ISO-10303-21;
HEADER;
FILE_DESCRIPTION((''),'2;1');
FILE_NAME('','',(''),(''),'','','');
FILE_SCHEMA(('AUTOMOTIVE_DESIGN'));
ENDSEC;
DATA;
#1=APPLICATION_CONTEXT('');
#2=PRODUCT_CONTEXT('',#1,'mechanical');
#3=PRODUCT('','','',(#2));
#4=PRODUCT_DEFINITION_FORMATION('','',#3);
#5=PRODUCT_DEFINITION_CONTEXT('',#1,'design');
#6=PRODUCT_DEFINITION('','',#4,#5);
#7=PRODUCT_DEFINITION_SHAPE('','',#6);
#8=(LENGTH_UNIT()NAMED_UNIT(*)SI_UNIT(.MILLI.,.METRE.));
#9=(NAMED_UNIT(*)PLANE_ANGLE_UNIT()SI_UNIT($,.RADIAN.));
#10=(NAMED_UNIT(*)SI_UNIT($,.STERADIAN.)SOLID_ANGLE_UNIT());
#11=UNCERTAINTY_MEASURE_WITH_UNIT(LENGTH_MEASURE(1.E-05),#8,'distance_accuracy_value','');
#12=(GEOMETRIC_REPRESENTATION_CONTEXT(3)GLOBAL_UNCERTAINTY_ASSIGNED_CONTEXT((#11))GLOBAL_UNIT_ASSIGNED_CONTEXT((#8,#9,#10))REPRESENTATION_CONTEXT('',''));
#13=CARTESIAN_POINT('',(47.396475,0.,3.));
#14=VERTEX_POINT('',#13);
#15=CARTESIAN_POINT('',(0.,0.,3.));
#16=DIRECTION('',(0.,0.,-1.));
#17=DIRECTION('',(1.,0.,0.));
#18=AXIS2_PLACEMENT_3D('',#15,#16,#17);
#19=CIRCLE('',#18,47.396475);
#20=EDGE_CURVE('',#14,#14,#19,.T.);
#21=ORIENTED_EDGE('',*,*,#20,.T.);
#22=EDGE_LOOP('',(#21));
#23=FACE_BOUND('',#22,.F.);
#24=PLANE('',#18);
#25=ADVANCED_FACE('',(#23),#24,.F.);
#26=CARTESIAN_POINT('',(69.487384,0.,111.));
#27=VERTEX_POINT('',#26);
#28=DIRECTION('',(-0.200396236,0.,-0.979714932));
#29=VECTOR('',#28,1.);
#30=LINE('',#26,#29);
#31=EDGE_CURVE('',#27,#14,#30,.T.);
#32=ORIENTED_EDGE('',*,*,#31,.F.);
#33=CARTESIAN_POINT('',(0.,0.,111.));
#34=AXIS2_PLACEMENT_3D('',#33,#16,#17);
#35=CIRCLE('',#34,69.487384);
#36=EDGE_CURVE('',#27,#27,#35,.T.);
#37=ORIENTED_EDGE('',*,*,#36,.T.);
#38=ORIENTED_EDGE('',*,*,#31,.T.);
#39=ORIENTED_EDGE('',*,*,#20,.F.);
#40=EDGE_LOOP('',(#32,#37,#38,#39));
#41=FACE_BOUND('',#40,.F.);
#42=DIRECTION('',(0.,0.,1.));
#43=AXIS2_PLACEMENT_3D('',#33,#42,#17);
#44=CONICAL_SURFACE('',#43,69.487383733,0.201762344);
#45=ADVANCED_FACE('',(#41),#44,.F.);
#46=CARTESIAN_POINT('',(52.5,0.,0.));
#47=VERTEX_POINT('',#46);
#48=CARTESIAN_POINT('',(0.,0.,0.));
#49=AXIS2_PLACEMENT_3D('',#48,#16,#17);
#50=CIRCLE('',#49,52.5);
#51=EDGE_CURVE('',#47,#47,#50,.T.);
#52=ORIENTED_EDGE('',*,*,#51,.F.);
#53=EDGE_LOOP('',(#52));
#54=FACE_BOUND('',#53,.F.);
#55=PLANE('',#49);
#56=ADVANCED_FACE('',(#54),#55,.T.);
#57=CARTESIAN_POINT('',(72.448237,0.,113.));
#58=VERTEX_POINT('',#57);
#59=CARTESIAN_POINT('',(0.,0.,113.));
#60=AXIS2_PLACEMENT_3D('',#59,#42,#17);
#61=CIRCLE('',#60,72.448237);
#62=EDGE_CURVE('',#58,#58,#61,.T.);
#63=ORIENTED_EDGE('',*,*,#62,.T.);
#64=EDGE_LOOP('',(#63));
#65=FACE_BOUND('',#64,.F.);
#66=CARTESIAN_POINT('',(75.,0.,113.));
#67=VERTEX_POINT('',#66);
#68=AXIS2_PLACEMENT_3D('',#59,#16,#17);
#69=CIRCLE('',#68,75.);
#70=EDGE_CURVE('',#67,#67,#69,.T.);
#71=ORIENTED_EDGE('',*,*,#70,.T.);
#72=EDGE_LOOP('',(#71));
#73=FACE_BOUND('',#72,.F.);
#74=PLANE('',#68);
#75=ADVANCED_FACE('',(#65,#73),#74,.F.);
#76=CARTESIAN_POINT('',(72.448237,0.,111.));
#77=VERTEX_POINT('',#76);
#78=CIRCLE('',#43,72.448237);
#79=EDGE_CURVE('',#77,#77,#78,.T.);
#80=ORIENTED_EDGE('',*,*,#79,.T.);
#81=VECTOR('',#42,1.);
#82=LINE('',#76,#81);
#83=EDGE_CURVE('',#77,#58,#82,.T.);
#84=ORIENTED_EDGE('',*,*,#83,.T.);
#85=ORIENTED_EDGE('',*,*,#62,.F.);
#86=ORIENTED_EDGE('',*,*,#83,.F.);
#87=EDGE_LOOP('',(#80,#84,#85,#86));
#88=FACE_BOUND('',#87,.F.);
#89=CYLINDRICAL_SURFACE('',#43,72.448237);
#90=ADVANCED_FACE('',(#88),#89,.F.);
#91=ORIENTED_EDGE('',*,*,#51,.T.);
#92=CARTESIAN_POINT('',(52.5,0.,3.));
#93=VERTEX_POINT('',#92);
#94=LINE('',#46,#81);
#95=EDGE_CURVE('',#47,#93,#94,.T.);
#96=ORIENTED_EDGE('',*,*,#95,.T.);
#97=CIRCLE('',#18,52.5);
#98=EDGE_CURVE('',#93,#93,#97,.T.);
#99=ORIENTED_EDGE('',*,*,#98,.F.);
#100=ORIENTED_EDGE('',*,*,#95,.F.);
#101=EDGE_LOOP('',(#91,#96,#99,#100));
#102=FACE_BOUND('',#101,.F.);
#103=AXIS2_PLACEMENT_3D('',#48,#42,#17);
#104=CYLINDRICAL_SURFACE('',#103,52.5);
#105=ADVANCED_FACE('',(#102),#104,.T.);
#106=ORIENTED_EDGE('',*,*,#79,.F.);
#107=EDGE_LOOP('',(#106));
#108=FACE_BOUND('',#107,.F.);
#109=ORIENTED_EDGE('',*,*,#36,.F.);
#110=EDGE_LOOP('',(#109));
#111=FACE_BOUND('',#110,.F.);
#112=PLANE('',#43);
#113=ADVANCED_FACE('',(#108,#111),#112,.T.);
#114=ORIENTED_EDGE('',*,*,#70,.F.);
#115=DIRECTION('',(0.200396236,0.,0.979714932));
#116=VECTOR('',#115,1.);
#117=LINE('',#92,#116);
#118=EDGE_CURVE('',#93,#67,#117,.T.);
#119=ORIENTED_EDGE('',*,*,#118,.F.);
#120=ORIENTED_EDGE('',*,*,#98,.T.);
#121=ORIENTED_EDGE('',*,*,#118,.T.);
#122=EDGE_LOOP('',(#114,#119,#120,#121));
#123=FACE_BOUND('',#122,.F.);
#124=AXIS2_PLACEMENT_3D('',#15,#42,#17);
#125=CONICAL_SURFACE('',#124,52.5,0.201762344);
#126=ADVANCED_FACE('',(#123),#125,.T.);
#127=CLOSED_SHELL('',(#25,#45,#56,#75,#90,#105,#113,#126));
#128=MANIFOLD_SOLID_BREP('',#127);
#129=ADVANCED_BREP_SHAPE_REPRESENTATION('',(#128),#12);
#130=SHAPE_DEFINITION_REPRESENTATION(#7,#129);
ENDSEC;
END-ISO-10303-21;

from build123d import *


with BuildPart() as f1:
    # F0 (on Front) → F1 (revolve)
    with BuildSketch(Plane.XZ):
        Polygon((0, 3), (0, 0), (52.5, 0), (52.5, 3), (47.3964746425, 3), align=None)
        Polygon((47.3964746425, 3), (52.5, 3), (75, 113), (72.4482373213, 113), (72.4482373213, 111), (69.4873837334, 111), align=None)
        Polygon((69.8964746425, 113), (69.4873837334, 111), (72.4482373213, 111), (72.4482373213, 113), align=None)
    revolve(axis=Axis((0, 0, 1.5), (0, 0, -1)))

    # F0 (on Front) → F2 (revolve, cut)
    with BuildSketch(Plane.XZ):
        Polygon((69.8964746425, 113), (69.4873837334, 111), (72.4482373213, 111), (72.4482373213, 113), align=None)
    revolve(axis=Axis((0, 0, 3), (0, 0, 1)), mode=Mode.SUBTRACT)


solid = f1.part
